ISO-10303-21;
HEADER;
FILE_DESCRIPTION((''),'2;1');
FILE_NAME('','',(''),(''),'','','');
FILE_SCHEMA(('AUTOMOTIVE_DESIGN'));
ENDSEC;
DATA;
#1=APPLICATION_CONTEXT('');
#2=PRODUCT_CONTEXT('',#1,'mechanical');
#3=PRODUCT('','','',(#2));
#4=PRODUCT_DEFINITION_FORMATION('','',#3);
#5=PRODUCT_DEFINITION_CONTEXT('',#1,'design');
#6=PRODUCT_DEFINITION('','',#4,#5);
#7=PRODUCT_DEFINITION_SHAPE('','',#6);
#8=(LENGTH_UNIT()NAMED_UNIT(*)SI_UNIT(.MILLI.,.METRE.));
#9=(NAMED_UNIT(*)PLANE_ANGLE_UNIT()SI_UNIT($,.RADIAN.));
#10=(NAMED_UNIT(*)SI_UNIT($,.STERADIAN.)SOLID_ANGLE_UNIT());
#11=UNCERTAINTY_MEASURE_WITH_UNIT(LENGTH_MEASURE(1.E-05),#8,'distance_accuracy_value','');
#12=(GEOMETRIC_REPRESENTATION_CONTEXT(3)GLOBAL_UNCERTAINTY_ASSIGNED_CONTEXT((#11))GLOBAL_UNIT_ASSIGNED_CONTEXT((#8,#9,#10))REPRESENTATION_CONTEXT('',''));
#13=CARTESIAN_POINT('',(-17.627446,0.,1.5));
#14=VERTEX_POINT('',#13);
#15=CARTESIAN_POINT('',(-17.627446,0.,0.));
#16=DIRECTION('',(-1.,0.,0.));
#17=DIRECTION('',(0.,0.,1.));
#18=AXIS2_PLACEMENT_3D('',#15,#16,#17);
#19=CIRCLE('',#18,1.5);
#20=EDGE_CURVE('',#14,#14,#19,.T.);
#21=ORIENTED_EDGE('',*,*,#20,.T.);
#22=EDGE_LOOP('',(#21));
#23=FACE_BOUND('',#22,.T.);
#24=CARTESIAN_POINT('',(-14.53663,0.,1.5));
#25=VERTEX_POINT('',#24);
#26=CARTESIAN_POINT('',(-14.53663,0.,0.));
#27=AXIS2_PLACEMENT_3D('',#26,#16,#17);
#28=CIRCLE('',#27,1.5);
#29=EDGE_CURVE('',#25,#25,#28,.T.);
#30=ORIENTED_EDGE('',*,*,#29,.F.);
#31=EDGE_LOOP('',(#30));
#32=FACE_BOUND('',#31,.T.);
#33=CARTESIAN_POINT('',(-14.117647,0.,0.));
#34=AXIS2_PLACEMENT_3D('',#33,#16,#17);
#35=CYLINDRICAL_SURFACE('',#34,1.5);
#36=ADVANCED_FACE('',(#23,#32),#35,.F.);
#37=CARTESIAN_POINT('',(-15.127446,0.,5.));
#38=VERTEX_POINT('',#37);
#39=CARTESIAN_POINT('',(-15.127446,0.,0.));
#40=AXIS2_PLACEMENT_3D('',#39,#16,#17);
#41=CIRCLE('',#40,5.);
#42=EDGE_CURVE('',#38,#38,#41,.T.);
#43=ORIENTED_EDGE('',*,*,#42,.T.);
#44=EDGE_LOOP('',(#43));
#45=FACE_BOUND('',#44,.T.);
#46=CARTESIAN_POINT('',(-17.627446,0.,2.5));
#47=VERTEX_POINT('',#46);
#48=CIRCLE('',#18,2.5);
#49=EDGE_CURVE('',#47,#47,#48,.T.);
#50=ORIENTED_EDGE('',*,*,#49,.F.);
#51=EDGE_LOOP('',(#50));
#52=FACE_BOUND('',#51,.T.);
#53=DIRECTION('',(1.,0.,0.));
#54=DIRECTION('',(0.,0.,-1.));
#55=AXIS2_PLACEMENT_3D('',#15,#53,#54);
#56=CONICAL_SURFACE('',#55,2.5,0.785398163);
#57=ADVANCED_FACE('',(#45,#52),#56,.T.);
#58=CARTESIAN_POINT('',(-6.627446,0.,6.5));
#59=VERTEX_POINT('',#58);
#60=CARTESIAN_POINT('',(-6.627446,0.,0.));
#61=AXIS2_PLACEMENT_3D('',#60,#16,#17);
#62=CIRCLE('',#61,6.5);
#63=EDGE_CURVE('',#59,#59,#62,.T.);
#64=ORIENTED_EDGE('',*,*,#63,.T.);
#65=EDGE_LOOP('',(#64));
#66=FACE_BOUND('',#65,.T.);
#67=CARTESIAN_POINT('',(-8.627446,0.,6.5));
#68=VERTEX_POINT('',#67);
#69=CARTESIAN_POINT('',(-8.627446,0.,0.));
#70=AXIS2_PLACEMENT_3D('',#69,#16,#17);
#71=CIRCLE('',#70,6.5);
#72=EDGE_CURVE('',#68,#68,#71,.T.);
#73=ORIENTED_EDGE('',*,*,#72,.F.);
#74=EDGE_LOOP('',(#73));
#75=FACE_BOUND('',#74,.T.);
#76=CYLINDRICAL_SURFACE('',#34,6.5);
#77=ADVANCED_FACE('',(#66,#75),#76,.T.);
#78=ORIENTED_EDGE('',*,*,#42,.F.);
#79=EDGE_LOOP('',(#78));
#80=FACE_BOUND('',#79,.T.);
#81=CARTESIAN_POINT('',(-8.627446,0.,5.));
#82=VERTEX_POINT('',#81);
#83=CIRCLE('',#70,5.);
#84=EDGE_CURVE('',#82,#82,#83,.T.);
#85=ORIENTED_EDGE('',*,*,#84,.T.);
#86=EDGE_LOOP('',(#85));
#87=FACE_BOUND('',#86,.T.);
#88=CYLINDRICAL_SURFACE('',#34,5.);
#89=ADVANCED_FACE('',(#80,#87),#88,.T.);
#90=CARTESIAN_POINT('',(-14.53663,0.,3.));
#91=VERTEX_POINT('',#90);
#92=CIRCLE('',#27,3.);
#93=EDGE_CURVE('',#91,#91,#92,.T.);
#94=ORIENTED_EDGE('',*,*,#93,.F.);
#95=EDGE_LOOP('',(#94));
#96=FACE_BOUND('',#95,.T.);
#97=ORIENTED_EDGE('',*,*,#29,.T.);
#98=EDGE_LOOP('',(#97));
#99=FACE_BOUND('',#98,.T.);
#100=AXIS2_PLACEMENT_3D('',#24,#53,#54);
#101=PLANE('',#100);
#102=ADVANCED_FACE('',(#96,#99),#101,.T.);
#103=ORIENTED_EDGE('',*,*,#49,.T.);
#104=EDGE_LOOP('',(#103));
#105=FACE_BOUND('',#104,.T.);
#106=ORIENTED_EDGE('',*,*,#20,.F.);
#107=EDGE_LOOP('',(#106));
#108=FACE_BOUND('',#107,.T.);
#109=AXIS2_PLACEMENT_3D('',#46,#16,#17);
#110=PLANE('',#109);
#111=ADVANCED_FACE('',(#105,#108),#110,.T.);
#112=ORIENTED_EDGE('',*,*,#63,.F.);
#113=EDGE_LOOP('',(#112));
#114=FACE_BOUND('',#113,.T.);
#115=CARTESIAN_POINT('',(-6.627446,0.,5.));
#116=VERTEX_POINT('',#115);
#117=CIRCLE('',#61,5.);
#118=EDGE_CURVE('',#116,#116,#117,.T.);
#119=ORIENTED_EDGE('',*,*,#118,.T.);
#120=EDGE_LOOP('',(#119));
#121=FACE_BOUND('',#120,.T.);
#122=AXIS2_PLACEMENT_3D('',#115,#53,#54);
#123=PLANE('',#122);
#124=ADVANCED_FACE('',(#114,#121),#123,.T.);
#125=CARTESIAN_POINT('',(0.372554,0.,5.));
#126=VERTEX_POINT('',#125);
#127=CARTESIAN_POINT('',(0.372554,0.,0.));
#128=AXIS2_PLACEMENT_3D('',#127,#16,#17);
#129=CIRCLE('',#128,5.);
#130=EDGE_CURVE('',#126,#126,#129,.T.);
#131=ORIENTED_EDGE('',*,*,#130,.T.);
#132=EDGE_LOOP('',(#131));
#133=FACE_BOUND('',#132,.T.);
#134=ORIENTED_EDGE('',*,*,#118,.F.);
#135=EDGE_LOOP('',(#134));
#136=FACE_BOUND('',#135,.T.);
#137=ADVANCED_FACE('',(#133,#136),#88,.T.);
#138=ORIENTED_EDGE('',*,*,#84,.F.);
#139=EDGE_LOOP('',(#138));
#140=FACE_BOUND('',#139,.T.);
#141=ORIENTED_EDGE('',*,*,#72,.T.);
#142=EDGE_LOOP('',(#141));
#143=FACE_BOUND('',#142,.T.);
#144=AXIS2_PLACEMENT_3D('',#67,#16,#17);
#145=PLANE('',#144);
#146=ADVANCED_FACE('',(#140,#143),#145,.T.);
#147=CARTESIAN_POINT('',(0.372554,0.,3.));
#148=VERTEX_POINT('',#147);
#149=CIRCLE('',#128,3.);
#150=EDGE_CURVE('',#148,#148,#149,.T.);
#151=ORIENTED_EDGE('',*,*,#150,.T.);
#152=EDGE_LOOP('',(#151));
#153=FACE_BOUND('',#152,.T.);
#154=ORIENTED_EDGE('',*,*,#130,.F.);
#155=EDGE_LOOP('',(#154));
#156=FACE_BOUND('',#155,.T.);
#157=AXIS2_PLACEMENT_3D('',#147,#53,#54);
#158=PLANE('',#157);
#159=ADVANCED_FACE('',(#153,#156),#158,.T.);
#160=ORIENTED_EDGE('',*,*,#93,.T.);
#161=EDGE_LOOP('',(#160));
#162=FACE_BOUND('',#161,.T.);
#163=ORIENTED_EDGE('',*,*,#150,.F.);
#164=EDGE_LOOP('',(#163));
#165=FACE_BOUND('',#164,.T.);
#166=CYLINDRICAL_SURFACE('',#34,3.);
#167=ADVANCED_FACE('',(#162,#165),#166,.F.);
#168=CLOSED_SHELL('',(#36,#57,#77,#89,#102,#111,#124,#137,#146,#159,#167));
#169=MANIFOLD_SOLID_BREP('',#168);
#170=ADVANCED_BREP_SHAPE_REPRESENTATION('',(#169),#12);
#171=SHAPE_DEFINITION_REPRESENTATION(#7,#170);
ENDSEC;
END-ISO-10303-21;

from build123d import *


with BuildPart() as part:
    # Эскиз1 → Повернуть1 (revolve)
    with BuildSketch(Plane(origin=(0, 0, 0), x_dir=(1, 0, 0), z_dir=(0, 1, 0))):
        Polygon((0.372553627, -3), (0.372553627, -5), (-6.627446373, -5), (-6.627446373, -6.5), (-8.627446373, -6.5), (-8.627446373, -5), (-15.127446373, -5), (-17.627446373, -2.5), (-17.627446373, -1.5), (-14.536630188, -1.5), (-14.536630188, -3), align=None)
    revolve(axis=Axis((-14.117647059, 0, 0), (1, 0, 0)))


solid = part.part
